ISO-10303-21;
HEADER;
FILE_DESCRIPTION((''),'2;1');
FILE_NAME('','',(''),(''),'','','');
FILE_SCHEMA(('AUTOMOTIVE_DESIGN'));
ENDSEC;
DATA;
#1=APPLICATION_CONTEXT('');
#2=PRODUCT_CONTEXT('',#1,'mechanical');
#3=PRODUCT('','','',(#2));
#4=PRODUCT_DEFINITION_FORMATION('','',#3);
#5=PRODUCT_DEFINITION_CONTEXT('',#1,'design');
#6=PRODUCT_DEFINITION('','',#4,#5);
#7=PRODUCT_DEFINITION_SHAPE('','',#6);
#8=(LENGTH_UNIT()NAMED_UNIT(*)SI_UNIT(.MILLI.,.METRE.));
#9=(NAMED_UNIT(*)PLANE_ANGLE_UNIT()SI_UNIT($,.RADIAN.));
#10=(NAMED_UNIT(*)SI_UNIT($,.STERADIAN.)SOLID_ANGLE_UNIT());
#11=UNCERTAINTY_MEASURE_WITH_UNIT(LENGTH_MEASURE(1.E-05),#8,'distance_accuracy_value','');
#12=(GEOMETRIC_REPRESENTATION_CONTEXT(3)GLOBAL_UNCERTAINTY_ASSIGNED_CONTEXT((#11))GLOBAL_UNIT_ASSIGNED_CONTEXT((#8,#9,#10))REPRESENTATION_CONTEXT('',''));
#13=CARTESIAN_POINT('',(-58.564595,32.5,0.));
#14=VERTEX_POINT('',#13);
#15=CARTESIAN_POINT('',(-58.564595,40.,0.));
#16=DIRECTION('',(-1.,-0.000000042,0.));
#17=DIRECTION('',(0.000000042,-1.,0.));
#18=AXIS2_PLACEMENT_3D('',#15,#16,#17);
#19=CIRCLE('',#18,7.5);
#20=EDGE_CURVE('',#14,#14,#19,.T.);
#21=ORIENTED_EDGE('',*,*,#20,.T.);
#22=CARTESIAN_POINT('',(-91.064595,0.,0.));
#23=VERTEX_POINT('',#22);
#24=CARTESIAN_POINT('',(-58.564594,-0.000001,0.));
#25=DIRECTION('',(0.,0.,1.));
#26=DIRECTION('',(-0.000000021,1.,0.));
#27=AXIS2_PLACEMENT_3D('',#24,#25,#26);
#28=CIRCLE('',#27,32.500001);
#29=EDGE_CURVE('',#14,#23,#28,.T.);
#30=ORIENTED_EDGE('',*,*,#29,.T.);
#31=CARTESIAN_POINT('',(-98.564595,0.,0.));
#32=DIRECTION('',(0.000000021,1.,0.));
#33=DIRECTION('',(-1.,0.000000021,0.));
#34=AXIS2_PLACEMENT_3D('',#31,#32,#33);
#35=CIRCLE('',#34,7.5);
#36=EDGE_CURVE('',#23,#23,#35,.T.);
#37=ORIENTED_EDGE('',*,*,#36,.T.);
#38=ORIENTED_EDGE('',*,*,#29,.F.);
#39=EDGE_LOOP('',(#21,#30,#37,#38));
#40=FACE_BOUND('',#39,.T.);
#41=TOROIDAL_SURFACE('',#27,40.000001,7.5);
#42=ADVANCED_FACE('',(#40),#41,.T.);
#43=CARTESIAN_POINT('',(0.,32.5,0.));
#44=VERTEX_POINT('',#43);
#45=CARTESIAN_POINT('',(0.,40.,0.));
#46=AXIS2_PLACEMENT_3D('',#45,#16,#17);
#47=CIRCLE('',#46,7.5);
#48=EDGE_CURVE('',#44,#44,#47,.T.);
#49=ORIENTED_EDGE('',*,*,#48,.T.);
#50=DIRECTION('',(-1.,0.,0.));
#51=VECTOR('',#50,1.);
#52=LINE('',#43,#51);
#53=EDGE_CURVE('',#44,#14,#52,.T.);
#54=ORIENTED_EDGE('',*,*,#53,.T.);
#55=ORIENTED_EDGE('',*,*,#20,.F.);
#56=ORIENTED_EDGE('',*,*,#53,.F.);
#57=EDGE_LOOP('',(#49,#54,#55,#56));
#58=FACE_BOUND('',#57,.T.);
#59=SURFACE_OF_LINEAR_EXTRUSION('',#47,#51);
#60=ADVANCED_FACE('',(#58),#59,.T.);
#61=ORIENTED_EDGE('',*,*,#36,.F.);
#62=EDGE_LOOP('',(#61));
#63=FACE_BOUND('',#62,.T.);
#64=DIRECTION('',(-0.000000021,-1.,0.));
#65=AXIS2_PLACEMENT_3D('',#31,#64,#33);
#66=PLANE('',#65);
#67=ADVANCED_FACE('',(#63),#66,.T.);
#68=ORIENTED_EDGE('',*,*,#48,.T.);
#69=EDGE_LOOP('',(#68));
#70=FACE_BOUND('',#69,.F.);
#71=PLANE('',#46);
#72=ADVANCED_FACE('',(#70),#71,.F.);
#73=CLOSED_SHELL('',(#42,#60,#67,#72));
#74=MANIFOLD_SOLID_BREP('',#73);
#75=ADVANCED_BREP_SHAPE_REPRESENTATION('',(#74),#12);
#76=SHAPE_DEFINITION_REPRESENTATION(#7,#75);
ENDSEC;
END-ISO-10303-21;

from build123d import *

# Parameters (mm, degrees)
F1_R = 7.5


with BuildPart() as f2:
    # F2: sweep along a path in F0
    with BuildLine(Plane.XY) as f2_path:
        Line((0, 40), (-58.564595, 40))
        ThreePointArc((-58.564595, 40), (-86.848866, 28.284271), (-98.564595, 0))
    # F1 (on Front) → F2 (sweep)
    with BuildSketch(Plane.XZ):
        with Locations((-98.564595, 0)):
            Circle(F1_R)
    sweep(path=f2_path.line)


solid = f2.part
